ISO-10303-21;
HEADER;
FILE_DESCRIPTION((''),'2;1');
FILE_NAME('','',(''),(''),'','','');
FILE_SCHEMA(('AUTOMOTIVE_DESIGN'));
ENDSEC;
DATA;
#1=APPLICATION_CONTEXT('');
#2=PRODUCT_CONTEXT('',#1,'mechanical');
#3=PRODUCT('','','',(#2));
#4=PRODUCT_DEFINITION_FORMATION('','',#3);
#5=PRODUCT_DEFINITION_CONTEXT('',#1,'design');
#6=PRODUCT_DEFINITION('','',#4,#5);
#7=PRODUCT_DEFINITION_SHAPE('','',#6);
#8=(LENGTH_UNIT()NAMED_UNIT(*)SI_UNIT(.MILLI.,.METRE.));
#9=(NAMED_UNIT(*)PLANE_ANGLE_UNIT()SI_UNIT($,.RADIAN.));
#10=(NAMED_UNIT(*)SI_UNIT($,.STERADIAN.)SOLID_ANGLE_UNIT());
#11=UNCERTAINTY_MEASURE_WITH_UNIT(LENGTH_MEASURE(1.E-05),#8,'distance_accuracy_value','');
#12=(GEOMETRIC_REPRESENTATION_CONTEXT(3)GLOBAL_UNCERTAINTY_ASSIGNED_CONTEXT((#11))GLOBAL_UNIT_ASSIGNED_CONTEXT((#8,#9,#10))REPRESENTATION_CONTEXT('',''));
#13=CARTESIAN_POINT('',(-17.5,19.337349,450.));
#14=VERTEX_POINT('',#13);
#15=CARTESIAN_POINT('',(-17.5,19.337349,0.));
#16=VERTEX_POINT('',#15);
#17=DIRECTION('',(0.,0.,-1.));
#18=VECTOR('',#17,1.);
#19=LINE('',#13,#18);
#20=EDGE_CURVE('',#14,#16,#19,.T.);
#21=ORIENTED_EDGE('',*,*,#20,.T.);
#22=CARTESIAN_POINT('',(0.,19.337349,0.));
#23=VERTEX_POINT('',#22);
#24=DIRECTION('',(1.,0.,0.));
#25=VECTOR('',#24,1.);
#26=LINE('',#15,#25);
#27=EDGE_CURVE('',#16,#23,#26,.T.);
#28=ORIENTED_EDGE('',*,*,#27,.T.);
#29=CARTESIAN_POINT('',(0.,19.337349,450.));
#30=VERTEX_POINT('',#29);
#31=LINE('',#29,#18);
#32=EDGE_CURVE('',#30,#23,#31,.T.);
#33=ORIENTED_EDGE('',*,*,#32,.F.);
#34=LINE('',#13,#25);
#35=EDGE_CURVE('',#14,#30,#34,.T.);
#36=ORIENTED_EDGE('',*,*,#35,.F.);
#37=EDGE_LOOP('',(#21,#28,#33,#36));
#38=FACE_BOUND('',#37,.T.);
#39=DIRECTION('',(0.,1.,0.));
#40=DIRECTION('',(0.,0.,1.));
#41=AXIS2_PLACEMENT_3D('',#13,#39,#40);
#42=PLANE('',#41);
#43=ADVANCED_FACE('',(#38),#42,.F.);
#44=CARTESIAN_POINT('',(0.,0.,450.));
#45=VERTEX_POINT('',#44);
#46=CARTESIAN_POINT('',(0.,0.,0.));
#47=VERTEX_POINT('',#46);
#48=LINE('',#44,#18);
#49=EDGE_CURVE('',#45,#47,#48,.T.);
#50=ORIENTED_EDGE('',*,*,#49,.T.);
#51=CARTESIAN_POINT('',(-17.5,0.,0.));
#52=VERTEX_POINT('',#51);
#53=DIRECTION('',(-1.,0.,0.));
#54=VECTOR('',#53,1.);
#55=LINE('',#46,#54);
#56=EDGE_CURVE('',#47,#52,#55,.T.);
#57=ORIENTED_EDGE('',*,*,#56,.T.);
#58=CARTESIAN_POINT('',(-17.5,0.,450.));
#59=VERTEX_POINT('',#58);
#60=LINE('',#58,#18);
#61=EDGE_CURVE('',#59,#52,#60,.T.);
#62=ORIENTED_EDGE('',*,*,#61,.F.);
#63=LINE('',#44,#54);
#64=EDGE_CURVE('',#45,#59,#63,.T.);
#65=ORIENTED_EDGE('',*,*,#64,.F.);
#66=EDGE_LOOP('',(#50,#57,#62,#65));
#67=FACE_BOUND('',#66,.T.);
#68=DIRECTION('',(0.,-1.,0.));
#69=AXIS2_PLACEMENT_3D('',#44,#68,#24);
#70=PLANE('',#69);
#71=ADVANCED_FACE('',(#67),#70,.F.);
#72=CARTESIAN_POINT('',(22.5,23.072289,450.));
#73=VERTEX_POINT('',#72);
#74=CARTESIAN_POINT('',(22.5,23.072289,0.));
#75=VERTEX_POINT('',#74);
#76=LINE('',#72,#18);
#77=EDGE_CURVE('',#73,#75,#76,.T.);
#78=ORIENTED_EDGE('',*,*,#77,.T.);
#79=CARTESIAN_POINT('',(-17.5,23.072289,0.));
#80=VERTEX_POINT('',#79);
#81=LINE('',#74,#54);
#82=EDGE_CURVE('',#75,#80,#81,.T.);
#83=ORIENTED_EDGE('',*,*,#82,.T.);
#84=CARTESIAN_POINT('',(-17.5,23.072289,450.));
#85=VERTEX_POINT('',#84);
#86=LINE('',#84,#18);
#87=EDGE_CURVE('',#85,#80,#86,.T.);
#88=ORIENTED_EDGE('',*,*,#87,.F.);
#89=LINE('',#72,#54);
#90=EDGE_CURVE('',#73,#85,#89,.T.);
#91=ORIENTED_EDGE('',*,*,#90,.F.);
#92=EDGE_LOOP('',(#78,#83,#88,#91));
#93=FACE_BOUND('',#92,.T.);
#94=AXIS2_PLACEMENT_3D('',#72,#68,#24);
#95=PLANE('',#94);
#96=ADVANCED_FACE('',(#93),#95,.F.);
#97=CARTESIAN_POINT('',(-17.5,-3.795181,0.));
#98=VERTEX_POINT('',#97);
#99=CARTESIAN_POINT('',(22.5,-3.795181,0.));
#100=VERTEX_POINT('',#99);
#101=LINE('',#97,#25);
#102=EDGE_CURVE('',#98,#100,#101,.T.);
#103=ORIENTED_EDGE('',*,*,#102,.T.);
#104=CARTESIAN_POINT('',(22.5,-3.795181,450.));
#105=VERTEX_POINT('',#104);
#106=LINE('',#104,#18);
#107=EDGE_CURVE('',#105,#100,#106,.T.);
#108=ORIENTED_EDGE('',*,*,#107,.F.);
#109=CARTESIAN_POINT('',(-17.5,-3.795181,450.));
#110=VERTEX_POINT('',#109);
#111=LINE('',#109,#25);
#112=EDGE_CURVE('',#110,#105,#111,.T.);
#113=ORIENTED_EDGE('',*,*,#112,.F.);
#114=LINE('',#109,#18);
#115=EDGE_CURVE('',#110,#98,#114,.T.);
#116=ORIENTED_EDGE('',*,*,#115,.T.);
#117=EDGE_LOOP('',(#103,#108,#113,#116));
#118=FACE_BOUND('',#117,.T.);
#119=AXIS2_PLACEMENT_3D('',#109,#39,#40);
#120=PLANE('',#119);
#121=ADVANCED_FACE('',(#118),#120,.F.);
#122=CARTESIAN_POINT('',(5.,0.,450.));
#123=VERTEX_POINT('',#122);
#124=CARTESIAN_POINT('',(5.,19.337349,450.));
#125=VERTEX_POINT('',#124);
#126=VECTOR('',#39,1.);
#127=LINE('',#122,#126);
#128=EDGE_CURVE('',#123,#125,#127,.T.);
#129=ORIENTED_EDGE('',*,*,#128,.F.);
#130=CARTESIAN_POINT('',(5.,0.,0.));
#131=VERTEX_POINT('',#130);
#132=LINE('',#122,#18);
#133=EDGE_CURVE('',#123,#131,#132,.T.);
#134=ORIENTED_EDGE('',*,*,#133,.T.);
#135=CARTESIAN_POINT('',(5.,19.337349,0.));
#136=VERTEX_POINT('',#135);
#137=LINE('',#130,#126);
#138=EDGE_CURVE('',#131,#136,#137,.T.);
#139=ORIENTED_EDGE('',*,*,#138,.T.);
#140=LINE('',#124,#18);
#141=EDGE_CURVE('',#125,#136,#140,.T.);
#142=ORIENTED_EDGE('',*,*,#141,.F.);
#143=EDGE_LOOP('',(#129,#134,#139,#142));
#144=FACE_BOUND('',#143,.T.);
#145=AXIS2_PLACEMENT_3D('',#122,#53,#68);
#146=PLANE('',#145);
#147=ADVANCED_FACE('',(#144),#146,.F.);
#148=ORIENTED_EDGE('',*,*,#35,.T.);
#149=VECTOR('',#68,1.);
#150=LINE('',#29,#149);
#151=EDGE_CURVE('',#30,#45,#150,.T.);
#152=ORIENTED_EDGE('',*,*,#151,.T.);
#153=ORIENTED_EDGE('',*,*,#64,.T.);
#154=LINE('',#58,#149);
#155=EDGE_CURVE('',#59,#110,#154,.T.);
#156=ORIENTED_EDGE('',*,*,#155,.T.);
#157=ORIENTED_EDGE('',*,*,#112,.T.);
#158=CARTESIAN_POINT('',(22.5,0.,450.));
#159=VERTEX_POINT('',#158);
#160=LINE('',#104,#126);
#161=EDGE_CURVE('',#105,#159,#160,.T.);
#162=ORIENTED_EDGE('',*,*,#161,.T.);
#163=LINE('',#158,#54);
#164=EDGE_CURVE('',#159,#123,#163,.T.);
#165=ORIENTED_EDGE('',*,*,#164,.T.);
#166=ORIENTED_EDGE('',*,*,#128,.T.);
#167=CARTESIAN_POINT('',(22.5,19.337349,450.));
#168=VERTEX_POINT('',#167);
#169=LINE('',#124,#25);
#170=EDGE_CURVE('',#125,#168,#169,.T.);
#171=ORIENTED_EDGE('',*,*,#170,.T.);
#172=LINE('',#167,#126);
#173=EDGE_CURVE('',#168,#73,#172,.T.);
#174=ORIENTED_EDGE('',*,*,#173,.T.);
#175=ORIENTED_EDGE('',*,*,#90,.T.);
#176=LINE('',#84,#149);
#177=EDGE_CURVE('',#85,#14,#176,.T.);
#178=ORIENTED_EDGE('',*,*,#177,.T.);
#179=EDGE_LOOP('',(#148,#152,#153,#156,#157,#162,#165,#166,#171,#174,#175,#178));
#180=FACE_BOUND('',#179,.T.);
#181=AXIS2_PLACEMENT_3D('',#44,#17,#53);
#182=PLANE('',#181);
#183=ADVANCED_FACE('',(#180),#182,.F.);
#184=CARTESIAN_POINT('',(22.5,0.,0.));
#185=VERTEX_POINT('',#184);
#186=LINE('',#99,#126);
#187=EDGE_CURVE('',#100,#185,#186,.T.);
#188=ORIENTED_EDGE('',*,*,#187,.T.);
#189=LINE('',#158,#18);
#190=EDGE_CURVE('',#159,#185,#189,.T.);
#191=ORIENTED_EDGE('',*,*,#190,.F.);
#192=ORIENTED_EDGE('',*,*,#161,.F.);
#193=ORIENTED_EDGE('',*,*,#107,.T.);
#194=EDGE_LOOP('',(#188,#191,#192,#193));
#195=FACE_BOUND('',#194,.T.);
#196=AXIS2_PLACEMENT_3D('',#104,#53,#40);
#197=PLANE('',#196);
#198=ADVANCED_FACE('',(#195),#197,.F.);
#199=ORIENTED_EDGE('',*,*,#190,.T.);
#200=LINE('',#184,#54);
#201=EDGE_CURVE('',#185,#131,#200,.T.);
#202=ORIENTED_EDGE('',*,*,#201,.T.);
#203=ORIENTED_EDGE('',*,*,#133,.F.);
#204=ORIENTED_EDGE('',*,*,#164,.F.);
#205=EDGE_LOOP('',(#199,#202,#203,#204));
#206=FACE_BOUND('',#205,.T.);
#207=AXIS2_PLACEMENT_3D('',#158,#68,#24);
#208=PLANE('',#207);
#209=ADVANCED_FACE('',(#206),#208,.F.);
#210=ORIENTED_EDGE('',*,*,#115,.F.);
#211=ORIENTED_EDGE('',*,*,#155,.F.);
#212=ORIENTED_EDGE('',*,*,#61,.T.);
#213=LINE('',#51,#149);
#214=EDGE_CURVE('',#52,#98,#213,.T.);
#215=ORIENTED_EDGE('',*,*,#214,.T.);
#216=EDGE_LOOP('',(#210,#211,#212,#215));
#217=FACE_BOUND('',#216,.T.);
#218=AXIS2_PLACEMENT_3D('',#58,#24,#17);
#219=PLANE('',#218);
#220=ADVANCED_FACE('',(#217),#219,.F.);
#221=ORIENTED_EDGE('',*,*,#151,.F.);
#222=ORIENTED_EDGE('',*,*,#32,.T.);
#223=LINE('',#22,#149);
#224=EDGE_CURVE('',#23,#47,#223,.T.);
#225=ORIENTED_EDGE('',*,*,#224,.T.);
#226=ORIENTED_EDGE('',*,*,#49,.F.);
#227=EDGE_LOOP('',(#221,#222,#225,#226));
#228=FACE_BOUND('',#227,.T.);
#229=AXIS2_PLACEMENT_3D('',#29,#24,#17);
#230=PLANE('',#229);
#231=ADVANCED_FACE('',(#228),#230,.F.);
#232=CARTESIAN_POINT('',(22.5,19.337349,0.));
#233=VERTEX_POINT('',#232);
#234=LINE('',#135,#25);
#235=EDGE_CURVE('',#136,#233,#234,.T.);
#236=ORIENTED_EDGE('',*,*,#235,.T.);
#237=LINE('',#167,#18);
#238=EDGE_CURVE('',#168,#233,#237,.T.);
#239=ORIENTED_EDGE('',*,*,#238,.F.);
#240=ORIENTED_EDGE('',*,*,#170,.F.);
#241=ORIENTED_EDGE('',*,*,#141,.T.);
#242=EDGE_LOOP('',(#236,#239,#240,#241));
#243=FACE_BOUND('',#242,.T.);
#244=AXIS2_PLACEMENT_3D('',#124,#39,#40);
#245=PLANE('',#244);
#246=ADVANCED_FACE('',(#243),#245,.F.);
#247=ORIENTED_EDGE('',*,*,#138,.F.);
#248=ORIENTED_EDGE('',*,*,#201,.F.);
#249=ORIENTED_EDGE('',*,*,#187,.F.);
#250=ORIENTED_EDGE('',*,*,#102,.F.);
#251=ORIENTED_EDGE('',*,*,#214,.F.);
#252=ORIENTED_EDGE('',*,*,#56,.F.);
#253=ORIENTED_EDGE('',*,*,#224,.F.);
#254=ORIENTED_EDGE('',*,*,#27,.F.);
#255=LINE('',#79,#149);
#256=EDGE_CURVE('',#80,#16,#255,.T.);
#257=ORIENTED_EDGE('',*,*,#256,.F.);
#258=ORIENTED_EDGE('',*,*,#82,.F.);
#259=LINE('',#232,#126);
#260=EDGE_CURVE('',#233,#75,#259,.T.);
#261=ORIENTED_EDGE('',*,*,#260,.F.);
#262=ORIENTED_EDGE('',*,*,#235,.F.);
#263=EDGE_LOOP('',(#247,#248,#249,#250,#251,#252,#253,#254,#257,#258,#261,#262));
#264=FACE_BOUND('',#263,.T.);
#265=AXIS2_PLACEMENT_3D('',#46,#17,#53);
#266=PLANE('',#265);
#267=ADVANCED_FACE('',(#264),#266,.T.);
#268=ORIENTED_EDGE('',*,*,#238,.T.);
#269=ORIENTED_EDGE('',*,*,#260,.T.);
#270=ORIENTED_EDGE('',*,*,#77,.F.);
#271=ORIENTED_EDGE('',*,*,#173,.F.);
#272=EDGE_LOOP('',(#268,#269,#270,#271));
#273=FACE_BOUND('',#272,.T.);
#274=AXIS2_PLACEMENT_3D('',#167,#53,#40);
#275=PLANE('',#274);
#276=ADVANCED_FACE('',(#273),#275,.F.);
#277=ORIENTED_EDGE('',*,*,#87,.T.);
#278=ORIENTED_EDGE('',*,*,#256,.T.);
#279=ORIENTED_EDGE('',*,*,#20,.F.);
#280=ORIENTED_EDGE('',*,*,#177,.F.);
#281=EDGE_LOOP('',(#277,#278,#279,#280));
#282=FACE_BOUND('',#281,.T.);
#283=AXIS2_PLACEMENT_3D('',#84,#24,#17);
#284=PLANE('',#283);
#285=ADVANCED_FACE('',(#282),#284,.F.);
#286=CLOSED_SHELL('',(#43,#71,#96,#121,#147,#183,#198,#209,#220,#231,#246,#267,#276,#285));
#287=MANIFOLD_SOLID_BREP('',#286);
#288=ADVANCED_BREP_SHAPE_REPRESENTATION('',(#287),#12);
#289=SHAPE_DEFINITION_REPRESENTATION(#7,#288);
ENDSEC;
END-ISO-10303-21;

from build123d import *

# Parameters (mm, degrees)
BOSS_EXTRUDE1_DEPTH = 450


with BuildPart() as part:
    # Sketch1 → Boss-Extrude1 (new body)
    with BuildSketch(Plane.XY):
        Polygon((0, 0), (-17.5, 0), (-17.5, -3.795180723), (22.5, -3.795180723), (22.5, 0), (5, 0), (5, 19.337349398), (22.5, 19.337349398), (22.5, 23.072289157), (-17.5, 23.072289157), (-17.5, 19.337349398), (0, 19.337349398), align=None)
    extrude(amount=BOSS_EXTRUDE1_DEPTH)


solid = part.part
